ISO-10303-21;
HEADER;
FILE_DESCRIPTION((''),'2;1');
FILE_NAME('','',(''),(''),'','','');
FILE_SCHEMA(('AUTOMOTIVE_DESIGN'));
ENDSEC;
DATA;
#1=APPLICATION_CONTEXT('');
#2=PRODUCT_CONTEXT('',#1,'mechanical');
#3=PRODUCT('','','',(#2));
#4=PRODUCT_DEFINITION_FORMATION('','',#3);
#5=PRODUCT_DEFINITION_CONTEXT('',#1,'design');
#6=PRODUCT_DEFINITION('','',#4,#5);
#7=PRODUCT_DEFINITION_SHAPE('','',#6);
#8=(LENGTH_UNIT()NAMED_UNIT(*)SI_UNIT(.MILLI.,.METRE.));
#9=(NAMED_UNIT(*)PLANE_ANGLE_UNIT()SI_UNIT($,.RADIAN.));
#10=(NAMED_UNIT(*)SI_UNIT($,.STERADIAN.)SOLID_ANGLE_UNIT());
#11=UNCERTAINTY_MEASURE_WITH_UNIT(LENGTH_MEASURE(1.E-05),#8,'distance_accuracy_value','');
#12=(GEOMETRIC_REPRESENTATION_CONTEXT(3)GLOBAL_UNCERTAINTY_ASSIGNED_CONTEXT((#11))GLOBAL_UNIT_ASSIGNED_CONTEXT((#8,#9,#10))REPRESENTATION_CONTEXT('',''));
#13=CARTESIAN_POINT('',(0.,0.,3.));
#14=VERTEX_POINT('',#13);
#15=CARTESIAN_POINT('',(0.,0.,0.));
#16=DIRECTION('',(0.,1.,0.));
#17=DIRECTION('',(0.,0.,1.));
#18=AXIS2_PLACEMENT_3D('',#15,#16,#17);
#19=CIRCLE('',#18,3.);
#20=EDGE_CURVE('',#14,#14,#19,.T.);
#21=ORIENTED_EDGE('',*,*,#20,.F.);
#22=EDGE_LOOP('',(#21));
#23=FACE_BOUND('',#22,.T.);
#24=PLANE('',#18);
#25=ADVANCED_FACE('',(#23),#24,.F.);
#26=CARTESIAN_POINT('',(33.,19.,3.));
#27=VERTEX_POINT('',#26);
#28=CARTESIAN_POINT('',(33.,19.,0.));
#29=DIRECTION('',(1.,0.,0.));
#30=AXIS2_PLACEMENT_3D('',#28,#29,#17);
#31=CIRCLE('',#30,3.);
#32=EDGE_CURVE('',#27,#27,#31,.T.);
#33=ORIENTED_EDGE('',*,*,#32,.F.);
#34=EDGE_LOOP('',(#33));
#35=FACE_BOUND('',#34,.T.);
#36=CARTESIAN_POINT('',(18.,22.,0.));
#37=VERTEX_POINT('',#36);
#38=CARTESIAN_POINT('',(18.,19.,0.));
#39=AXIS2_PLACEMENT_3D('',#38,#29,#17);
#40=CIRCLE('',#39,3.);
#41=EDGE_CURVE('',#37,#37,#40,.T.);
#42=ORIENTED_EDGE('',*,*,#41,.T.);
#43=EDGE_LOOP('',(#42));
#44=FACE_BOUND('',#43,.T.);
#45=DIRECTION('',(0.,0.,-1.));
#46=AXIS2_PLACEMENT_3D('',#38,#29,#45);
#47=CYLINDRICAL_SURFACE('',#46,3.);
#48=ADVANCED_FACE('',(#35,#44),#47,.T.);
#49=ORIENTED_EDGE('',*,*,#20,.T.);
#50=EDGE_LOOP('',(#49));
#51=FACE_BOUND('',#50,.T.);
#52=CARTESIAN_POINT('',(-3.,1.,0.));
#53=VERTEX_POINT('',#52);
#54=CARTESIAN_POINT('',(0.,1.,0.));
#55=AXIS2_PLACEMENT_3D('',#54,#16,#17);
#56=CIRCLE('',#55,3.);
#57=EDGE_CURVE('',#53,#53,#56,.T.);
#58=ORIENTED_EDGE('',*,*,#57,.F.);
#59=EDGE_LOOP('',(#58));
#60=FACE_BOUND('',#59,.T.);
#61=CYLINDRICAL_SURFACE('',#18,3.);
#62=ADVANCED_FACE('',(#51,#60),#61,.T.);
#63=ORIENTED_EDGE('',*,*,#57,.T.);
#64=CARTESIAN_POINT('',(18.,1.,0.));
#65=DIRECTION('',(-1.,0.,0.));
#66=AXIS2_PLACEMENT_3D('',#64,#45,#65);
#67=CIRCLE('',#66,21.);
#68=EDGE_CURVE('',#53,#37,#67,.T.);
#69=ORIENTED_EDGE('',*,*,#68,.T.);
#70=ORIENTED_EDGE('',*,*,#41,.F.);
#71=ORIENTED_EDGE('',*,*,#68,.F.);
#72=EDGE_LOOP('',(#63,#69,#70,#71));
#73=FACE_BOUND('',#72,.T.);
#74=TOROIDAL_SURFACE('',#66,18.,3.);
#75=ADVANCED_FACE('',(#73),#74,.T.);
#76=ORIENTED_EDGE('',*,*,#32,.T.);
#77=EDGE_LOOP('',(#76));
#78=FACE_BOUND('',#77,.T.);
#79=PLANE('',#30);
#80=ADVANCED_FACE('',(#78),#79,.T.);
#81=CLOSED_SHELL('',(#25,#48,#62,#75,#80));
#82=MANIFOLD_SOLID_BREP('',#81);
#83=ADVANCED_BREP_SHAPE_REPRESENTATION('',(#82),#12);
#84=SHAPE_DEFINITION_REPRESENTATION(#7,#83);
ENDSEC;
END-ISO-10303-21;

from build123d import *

# Parameters (mm, degrees)
SKETCH2_R = 3


with BuildPart() as part:
    # Sweep1: sweep along a path in Sketch1
    with BuildLine(Plane.XY) as sweep1_path:
        Line((0, 0), (0, 1))
        ThreePointArc((0, 1), (5.272077939, 13.727922061), (18, 19))
        Line((18, 19), (33, 19))
    # Sketch2 → Sweep1 (sweep)
    with BuildSketch(Plane(origin=(0, 0, 0), x_dir=(1, 0, 0), z_dir=(0, 1, 0))):
        Circle(SKETCH2_R)
    sweep(path=sweep1_path.line)


solid = part.part
